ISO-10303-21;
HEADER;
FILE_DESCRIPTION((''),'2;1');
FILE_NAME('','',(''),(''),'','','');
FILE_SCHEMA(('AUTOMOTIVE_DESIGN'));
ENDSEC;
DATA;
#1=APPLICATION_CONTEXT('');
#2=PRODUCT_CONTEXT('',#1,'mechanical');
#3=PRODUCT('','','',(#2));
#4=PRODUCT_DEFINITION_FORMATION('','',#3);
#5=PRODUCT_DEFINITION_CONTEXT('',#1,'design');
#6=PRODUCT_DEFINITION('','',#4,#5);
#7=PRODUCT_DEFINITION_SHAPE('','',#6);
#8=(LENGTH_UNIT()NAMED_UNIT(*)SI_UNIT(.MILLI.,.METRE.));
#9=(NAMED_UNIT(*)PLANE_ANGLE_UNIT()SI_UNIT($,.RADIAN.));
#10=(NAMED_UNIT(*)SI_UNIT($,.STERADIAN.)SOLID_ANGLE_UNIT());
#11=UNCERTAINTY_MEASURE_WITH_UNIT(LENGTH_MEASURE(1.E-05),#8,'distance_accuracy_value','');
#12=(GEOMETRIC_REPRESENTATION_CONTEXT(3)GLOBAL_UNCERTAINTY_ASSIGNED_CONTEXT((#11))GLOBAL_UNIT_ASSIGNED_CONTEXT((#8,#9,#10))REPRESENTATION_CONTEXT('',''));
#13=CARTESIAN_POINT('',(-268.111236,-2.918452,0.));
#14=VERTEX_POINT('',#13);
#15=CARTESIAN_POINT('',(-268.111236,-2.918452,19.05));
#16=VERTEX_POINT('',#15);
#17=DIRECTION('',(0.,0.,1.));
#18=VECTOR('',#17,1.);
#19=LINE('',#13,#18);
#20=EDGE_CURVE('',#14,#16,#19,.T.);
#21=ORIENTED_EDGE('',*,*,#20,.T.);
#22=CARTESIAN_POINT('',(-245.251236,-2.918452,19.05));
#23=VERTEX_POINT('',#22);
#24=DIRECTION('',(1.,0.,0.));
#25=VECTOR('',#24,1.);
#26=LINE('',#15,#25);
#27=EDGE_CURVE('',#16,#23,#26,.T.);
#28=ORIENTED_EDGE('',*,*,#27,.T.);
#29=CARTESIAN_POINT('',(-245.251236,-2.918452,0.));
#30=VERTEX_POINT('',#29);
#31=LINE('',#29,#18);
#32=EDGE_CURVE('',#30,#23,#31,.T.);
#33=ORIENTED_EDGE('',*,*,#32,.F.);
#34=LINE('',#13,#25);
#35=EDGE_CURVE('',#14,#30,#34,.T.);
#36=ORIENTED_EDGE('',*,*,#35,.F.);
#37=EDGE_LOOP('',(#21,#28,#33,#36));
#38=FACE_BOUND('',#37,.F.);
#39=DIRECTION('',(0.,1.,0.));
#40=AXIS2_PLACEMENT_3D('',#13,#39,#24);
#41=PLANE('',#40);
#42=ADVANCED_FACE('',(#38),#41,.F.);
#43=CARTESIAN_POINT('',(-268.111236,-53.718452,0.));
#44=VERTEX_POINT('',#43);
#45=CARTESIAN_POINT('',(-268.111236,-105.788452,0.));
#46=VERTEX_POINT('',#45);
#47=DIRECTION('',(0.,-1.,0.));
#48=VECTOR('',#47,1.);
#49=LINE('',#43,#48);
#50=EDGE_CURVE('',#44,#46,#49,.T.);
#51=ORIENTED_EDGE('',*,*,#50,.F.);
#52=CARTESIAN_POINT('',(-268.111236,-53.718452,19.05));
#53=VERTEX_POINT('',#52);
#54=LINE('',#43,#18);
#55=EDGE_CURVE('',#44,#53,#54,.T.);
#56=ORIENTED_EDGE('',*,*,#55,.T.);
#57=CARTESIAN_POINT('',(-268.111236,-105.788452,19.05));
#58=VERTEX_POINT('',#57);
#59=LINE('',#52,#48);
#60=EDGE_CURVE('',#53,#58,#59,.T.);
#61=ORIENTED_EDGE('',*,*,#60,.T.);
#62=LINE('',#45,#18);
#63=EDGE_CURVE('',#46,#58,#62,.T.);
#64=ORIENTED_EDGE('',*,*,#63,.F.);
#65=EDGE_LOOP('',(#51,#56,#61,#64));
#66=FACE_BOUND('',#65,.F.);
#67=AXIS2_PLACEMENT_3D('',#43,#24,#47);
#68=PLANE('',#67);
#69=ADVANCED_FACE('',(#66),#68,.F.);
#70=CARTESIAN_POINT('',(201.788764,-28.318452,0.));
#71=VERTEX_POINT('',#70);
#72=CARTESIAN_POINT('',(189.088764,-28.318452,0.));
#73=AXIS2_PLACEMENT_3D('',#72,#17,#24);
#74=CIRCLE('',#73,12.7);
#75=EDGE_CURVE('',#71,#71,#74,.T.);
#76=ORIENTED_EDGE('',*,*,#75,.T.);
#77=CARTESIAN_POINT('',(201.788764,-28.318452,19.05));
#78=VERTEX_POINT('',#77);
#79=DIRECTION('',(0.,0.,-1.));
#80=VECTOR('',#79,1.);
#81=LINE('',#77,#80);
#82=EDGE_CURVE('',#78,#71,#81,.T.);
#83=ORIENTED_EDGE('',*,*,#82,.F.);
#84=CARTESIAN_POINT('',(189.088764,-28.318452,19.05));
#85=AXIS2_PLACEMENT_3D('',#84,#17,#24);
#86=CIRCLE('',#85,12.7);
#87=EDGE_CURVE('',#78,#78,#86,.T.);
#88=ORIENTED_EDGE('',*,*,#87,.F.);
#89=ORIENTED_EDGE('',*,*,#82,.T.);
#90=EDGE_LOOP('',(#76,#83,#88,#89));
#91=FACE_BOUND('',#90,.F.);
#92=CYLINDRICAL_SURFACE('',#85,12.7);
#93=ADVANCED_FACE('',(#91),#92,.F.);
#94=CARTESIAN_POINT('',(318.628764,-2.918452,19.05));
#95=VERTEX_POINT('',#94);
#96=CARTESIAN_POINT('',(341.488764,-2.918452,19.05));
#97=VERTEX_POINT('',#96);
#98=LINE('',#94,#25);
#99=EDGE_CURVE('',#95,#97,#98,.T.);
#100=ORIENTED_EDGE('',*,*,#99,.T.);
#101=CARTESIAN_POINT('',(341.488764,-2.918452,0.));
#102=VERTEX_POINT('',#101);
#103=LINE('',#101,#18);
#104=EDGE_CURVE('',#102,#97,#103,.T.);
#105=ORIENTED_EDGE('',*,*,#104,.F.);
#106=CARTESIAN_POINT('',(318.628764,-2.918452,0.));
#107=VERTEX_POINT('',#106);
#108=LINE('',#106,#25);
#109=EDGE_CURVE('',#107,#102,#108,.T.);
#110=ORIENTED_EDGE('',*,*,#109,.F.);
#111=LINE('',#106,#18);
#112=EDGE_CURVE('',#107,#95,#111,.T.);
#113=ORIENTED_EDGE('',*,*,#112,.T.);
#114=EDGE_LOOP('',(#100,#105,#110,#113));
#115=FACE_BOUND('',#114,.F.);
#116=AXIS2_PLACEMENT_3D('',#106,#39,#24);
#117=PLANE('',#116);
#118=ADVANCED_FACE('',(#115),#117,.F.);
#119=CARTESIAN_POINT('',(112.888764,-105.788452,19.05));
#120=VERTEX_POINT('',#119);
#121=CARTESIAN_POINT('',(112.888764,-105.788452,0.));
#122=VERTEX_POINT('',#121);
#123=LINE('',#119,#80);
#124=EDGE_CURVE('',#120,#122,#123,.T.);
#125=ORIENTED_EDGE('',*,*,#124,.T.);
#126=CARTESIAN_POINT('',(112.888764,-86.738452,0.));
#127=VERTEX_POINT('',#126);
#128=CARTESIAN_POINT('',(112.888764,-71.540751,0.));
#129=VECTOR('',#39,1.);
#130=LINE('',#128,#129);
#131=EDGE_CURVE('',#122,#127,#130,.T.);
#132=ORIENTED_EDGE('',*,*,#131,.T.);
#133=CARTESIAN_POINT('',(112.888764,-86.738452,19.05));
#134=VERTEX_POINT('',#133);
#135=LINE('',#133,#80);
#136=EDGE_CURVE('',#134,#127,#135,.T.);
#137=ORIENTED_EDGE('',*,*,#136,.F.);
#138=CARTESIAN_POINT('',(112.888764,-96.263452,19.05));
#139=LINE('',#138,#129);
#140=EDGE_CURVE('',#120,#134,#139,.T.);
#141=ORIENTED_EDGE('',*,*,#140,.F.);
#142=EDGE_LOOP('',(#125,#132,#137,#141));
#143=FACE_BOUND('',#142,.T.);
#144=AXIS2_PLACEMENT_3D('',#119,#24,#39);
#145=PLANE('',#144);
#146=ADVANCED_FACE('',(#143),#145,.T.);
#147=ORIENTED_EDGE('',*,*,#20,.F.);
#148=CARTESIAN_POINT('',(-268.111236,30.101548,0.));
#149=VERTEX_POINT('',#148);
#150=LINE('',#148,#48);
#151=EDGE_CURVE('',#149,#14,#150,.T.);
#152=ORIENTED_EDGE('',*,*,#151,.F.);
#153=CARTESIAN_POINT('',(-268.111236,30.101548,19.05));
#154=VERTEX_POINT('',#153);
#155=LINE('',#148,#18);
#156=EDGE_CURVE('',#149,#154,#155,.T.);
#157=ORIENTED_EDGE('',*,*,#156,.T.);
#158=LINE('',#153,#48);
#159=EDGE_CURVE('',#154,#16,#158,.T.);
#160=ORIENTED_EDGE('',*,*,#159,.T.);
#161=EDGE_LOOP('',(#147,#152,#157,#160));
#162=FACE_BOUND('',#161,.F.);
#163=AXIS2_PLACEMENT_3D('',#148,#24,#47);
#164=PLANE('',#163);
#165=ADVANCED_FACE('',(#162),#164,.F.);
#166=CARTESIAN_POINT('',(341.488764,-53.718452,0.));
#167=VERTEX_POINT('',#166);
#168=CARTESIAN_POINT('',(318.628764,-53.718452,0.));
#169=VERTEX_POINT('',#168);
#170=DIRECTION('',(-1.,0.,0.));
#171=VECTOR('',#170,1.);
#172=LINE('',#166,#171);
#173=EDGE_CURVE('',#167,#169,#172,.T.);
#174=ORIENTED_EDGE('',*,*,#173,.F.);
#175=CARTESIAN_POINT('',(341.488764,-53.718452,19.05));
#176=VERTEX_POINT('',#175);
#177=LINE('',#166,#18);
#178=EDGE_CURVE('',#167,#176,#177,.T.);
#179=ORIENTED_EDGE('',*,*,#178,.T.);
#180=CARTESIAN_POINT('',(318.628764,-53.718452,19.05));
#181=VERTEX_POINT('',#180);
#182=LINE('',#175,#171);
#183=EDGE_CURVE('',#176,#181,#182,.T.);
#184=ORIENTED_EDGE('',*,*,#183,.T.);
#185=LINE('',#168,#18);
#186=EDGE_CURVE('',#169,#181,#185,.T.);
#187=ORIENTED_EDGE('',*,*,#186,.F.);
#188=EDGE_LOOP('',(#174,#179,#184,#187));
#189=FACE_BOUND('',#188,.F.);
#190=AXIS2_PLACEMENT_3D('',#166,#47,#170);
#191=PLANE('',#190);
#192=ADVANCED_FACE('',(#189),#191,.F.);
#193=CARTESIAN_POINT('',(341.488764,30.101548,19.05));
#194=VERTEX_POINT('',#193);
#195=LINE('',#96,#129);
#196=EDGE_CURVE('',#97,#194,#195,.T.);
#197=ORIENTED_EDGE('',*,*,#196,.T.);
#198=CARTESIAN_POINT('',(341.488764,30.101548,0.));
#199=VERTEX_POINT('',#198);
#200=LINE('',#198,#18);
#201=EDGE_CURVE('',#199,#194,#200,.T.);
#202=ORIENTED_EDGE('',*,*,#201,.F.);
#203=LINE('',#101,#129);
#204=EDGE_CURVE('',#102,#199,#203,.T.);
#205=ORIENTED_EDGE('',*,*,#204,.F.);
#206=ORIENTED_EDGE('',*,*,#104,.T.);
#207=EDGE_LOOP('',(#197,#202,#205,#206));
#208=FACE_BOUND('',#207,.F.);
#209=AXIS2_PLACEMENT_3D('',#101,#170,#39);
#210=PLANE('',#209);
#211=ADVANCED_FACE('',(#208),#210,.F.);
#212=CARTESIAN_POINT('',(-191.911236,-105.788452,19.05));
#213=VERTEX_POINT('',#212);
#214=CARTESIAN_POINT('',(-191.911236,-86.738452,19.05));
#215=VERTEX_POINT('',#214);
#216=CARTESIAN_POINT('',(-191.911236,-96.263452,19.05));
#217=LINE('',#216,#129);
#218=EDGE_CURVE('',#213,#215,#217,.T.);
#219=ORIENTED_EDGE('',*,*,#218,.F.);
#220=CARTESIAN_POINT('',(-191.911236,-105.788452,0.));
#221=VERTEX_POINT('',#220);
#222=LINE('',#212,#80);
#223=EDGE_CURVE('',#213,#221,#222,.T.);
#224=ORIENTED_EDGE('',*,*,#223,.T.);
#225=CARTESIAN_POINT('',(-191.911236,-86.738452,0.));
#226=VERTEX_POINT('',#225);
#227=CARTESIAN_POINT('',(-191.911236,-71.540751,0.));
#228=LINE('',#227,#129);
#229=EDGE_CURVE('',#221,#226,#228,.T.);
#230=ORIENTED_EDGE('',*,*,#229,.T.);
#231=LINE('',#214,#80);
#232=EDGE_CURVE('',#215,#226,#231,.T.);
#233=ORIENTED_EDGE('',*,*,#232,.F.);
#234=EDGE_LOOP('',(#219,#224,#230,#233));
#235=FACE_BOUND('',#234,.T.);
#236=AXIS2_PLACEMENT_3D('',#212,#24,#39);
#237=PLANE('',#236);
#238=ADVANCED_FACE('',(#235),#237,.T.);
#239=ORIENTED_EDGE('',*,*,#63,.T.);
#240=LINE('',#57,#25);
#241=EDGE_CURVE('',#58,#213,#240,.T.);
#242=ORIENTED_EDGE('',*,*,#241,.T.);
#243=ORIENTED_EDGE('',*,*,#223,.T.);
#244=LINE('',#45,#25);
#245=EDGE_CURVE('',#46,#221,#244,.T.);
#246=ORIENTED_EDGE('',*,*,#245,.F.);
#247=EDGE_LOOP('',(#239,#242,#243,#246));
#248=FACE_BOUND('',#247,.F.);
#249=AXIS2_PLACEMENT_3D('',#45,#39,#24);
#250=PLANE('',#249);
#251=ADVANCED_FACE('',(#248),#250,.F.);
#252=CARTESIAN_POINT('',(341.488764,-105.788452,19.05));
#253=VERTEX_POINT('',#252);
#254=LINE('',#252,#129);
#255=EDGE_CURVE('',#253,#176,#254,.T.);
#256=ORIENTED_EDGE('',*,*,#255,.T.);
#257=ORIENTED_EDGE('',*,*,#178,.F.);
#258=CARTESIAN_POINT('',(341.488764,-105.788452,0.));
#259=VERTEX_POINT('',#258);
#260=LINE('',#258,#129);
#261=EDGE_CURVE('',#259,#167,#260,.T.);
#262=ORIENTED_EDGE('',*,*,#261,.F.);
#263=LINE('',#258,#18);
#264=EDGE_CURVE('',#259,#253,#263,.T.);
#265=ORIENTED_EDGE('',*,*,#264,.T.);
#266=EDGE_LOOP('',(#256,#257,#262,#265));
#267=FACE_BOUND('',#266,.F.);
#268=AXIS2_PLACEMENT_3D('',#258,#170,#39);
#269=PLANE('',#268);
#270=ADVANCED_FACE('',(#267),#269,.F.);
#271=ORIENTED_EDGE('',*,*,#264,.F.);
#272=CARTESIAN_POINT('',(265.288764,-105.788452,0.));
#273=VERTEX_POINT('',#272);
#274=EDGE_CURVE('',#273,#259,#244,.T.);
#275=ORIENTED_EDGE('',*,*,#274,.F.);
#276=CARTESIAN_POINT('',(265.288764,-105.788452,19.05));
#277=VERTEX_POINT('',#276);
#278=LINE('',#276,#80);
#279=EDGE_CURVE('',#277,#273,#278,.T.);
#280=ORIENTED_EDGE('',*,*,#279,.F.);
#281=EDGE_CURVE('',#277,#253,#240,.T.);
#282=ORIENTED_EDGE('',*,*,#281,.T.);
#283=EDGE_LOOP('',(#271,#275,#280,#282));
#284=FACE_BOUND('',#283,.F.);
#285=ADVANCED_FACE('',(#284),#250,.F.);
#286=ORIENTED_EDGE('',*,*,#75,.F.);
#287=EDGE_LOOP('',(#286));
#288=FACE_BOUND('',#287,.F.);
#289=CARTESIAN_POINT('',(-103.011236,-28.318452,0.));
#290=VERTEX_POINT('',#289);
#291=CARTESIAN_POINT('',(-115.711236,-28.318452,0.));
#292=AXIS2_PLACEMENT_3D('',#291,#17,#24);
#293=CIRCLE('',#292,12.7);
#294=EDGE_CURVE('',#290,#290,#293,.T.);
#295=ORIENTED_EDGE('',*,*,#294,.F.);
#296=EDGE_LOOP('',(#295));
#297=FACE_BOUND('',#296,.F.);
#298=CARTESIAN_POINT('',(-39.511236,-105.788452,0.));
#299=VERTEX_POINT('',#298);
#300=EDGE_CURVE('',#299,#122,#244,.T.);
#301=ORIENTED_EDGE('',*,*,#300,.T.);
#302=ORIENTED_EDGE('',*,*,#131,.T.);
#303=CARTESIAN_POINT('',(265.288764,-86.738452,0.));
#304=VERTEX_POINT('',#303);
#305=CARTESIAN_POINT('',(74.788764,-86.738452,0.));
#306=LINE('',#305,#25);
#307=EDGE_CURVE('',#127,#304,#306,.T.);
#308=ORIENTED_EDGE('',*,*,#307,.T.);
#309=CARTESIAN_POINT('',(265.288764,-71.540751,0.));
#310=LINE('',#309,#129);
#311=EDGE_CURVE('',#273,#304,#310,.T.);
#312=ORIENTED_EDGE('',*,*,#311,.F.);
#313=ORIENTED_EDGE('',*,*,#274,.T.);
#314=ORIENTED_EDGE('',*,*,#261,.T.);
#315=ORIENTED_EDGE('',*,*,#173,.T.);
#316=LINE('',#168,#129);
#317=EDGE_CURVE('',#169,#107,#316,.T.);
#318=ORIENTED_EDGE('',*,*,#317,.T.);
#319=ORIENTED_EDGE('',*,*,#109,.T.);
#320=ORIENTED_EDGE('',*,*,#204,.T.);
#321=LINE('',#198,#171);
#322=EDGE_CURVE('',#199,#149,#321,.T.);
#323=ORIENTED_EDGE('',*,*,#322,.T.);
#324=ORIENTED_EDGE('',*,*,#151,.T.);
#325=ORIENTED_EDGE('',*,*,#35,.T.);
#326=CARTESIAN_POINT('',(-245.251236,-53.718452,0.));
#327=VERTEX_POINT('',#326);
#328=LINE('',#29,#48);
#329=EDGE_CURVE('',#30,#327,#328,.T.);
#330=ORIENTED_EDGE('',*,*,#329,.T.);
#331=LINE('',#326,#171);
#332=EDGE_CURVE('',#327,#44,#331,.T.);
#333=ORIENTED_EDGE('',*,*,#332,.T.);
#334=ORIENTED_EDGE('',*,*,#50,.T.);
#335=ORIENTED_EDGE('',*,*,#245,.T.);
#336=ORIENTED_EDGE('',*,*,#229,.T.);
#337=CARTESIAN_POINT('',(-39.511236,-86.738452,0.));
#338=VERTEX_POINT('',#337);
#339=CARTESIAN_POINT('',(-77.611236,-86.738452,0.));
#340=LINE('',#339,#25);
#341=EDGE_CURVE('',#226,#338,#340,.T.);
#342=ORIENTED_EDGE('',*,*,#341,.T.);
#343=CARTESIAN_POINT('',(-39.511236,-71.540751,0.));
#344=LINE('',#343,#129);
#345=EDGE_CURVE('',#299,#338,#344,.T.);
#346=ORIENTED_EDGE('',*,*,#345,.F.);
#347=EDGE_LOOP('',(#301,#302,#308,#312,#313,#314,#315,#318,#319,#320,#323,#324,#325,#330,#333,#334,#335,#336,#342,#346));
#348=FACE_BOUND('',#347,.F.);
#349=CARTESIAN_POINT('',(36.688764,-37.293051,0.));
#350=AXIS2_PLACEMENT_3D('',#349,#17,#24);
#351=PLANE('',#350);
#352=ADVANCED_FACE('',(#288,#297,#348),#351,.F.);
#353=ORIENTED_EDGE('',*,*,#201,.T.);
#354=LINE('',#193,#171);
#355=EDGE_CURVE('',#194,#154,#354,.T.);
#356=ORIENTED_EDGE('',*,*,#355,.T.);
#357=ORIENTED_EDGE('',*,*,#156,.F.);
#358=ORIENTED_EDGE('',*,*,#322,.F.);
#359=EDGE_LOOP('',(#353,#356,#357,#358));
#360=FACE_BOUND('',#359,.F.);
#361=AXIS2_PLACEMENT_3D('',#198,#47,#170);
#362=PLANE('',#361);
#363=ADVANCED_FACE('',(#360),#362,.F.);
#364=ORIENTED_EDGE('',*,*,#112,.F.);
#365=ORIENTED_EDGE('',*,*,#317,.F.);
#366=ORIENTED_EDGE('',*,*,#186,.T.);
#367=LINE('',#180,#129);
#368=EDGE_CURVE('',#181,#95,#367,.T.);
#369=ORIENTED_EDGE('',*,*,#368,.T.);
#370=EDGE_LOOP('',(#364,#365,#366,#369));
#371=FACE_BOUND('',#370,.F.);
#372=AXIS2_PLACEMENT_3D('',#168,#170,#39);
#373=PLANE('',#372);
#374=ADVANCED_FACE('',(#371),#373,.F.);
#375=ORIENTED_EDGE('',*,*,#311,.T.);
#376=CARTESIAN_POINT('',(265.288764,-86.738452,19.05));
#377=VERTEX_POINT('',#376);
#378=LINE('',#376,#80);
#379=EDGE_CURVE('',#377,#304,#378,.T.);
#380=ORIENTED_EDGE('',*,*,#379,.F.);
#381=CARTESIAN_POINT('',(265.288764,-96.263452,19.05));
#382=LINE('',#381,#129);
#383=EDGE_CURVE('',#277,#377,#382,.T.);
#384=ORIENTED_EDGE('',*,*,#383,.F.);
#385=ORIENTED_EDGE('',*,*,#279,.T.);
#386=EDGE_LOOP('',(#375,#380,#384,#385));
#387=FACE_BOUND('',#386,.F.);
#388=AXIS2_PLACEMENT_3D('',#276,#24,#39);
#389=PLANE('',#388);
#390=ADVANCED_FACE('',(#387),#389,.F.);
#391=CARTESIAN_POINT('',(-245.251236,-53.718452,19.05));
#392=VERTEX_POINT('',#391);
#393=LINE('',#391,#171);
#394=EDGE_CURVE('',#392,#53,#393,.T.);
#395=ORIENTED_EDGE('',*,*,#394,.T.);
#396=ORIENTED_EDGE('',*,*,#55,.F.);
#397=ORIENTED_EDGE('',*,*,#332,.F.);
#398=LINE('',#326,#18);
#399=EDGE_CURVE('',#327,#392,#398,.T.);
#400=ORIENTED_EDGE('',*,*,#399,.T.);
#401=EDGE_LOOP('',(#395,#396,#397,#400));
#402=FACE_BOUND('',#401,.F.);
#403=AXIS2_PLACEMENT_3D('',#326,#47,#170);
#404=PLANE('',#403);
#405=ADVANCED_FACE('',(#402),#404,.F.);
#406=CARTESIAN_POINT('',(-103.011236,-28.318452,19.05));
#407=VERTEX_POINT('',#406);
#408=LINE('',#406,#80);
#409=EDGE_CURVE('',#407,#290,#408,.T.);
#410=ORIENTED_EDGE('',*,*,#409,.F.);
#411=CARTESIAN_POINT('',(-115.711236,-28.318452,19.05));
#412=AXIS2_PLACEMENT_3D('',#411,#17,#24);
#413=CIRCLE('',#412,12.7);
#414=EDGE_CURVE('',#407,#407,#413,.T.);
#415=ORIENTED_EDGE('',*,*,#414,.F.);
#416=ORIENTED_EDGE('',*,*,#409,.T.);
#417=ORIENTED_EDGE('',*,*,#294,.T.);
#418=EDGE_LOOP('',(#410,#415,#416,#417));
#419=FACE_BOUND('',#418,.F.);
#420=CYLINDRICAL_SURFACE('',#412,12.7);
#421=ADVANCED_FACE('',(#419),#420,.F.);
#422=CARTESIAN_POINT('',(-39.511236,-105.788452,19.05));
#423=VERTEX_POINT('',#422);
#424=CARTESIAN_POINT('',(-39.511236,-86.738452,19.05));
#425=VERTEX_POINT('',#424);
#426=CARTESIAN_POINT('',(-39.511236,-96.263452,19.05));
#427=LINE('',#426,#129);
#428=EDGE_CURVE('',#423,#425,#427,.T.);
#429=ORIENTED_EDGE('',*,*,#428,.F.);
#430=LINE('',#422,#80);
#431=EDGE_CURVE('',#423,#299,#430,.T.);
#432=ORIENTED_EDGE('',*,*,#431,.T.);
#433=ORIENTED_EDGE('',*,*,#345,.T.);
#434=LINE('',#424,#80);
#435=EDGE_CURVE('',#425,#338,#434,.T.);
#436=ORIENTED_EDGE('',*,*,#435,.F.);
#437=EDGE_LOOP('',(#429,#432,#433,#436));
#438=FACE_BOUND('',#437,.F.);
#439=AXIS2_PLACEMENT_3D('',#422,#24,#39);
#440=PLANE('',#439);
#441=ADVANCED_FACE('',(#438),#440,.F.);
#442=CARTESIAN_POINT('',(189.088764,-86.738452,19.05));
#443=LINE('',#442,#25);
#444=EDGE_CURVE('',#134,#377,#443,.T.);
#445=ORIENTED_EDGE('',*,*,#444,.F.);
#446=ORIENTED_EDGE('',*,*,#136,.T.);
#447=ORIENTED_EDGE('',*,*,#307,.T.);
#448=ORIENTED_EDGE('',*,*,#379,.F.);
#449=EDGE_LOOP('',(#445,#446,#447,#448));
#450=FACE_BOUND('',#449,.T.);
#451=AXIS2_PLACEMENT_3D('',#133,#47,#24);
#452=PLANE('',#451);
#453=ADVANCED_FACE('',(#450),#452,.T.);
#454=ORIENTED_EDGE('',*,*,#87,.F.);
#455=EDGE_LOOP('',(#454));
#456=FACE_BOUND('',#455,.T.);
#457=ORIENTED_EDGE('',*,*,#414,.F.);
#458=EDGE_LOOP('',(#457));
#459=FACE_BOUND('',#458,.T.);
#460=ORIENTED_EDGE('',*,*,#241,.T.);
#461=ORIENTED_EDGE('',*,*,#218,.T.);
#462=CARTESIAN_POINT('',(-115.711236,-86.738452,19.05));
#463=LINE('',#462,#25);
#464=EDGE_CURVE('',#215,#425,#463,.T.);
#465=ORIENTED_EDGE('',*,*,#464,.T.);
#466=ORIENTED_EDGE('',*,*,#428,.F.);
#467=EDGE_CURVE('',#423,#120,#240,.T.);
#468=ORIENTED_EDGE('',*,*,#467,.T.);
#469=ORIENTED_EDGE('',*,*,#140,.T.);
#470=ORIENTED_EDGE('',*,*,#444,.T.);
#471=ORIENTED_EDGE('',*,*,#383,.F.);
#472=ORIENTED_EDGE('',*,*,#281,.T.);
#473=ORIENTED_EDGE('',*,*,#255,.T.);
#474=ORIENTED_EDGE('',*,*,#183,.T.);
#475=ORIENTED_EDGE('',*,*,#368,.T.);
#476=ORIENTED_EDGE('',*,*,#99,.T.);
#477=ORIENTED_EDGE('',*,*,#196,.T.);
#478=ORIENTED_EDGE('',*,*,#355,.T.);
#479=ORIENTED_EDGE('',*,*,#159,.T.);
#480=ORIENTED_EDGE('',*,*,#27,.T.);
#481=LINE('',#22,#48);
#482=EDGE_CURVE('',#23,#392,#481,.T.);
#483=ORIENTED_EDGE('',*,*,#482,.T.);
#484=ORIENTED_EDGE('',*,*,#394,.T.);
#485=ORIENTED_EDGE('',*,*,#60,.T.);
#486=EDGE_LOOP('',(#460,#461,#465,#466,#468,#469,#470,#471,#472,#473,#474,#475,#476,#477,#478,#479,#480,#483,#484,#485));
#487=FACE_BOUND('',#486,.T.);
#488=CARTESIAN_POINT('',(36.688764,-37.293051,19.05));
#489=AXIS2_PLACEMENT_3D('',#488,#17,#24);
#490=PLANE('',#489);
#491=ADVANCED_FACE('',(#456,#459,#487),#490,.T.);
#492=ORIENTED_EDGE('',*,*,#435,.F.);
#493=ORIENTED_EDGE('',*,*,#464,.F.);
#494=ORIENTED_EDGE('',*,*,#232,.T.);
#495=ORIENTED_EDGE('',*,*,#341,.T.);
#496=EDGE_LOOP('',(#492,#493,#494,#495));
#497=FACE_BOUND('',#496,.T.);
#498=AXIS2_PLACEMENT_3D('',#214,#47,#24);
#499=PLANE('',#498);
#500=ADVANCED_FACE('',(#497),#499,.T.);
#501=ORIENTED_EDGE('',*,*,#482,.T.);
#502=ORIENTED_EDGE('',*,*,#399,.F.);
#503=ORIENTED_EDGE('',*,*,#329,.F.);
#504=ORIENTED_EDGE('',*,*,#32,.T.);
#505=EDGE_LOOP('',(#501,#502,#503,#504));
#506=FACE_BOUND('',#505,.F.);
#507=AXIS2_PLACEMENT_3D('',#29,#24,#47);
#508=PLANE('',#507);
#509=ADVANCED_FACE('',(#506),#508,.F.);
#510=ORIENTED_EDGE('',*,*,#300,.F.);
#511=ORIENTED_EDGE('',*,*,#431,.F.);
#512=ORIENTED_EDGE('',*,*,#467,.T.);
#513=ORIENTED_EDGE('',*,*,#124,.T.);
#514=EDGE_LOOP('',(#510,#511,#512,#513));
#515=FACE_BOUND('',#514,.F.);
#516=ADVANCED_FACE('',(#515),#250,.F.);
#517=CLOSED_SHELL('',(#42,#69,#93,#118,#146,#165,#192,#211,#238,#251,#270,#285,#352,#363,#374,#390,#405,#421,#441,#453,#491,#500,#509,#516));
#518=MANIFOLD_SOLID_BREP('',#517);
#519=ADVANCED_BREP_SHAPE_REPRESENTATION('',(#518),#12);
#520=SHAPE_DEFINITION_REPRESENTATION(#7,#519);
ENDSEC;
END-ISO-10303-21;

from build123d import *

# Parameters (mm, degrees)
F1_DEPTH = 19.05
F2_W     = 152.4
F2_H     = 19.05
F3_DEPTH = 19.051
F4_R     = 12.7
F5_DEPTH = 19.051


with BuildPart() as f1:
    # F0 (on Top) → F1 (new body)
    with BuildSketch(Plane.XY):
        Polygon((341.488764, -53.718452), (318.628764, -53.718452), (318.628764, -2.918452), (341.488764, -2.918452), (341.488764, 30.101548), (-268.111236, 30.101548), (-268.111236, -2.918452), (-245.251236, -2.918452), (-245.251236, -53.718452), (-268.111236, -53.718452), (-268.111236, -86.738452), (-268.111236, -105.788452), (341.488764, -105.788452), (341.488764, -86.738452), align=None)
    extrude(amount=F1_DEPTH)

    # F2 (on face) → F3 (cut, through all)
    with BuildSketch(Plane.XY.offset(19.05)):
        with Locations((-115.711236, -96.263452)):
            Rectangle(F2_W, F2_H)
        with Locations((189.088764, -96.263452)):
            Rectangle(F2_W, F2_H)
    extrude(amount=-F3_DEPTH, mode=Mode.SUBTRACT)

    # F4 (on face) → F5 (cut, through all)
    with BuildSketch(Plane.XY.offset(19.05)):
        with Locations((189.088764, -28.318452)):
            Circle(F4_R)
        with Locations((-115.711236, -28.318452)):
            Circle(F4_R)
    extrude(amount=-F5_DEPTH, mode=Mode.SUBTRACT)


solid = f1.part
